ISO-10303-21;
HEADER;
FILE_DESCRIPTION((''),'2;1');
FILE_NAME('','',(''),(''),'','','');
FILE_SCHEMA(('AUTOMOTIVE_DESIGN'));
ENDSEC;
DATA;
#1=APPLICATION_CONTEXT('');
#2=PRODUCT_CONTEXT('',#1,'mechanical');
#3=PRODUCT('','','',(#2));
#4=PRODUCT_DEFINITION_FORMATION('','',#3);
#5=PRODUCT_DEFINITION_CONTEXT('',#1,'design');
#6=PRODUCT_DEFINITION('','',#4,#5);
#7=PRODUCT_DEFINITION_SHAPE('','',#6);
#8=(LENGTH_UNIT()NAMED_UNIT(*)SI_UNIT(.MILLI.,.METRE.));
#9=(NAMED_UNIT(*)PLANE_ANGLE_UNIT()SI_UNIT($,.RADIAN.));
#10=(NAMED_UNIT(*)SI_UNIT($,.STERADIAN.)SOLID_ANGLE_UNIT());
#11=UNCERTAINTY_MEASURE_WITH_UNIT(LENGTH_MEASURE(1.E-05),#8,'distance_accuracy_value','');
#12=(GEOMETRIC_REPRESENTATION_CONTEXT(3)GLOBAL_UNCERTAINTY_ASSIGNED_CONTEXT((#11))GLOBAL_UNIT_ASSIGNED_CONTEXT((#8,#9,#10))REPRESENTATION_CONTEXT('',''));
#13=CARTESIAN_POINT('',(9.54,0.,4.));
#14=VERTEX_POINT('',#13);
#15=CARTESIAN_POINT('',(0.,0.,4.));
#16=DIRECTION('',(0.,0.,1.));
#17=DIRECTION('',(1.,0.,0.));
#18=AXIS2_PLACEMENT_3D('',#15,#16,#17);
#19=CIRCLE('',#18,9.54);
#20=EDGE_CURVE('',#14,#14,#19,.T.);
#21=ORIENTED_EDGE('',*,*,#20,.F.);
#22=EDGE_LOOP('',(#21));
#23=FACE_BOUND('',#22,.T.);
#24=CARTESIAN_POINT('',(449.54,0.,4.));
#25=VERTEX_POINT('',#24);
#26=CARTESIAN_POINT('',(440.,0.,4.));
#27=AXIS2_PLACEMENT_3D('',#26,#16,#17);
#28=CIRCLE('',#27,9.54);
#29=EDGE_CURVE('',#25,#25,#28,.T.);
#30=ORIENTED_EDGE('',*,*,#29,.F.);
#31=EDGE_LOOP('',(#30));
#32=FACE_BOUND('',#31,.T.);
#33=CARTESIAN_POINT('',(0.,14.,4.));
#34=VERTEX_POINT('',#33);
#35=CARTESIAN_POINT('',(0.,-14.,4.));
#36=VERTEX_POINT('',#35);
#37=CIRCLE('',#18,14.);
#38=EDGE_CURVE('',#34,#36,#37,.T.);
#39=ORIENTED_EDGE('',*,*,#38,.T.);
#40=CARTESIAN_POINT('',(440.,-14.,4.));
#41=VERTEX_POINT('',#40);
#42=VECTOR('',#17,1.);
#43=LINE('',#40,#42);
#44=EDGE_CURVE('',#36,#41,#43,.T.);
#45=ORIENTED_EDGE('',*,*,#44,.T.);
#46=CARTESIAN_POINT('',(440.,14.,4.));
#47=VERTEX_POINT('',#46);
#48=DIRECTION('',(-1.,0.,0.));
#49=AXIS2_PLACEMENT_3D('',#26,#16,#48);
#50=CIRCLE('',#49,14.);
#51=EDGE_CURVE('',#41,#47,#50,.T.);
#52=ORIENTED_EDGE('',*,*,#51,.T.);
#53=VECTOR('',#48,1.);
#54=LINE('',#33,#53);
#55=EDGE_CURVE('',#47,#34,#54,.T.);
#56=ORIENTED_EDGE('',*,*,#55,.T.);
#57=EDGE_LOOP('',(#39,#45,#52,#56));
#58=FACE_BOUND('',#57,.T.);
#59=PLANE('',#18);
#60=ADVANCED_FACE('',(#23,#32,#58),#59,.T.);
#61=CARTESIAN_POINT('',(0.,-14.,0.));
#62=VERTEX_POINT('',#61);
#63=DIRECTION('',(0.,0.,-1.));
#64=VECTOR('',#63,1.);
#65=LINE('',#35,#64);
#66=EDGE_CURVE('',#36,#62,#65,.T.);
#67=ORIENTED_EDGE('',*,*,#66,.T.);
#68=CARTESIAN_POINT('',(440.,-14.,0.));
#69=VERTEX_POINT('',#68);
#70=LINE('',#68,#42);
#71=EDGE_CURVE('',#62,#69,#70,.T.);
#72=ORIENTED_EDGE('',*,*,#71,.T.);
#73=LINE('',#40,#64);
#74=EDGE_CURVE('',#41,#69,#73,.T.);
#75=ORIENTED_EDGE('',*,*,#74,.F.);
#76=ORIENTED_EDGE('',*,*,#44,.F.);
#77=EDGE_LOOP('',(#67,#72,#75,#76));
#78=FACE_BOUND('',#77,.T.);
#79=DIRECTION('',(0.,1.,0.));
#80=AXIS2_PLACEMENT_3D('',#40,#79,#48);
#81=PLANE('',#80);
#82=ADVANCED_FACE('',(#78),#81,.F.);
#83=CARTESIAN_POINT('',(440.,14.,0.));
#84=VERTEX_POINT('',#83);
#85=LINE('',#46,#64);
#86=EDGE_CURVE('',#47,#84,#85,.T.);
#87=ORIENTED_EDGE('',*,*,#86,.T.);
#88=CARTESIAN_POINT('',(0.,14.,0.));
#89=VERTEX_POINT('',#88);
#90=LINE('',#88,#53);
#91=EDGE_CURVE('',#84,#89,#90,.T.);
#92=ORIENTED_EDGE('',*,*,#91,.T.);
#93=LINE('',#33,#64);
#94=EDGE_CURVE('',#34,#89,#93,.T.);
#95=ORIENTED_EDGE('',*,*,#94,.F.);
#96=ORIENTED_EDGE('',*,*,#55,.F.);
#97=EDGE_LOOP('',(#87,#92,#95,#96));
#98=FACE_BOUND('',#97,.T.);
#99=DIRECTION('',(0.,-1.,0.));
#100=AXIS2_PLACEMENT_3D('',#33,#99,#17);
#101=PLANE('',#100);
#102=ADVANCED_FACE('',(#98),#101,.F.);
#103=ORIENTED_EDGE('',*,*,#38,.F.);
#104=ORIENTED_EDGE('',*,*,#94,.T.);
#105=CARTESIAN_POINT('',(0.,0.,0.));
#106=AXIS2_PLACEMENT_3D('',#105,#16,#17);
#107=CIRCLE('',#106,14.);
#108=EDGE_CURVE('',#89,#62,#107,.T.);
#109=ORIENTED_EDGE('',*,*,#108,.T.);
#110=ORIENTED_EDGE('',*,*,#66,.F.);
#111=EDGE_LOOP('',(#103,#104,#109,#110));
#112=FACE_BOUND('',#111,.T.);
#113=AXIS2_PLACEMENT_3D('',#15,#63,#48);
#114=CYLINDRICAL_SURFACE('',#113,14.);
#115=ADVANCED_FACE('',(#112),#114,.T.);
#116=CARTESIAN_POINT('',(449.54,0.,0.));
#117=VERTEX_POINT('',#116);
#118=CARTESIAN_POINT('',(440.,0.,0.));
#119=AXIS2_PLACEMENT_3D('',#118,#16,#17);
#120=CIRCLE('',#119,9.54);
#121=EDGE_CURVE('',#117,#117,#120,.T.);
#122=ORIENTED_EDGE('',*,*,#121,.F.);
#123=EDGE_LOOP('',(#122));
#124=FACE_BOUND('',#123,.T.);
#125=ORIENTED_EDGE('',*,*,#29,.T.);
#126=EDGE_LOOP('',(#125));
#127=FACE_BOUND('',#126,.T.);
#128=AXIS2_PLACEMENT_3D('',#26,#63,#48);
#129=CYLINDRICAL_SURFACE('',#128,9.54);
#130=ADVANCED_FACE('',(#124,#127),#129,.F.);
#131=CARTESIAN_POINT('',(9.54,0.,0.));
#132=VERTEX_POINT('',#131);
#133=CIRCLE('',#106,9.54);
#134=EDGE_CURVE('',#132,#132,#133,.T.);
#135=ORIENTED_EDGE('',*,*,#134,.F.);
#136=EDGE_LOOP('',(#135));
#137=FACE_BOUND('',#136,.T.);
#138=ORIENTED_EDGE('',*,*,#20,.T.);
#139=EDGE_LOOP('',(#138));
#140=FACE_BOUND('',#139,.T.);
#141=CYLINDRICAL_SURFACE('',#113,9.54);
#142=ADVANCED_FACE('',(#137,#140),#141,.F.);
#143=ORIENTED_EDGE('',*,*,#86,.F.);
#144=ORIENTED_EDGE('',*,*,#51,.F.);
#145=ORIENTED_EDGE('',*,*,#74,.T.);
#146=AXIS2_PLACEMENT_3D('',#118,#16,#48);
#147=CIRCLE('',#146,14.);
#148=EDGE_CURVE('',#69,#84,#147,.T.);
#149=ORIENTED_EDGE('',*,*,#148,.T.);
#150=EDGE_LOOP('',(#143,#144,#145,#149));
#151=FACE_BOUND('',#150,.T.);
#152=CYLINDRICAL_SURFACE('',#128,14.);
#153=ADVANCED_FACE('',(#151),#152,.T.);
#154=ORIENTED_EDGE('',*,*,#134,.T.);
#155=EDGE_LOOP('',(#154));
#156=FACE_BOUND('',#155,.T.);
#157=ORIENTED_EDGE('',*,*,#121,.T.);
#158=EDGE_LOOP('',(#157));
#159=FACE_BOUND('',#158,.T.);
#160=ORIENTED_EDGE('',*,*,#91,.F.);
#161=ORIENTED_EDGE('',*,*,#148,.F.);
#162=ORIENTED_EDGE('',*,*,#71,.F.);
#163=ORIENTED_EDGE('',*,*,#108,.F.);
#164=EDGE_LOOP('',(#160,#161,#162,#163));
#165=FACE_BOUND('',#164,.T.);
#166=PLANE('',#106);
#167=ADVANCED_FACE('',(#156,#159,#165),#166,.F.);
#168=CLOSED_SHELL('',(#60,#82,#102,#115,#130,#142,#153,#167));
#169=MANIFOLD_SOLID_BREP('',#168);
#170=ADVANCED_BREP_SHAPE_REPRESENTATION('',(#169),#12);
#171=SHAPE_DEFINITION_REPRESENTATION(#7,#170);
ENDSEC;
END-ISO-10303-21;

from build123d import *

# Parameters (mm, degrees)
SKETCH_1_R      = 9.54
EXTRUDE_1_DEPTH = 4


with BuildPart() as part:
    # 草图1 → 凸台-拉伸1 (new body)
    with BuildSketch(Plane.XY):
        with BuildLine():
            Line((0, 14), (440, 14))
            ThreePointArc((440, 14), (454, 0), (440, -14))
            Line((440, -14), (0, -14))
            ThreePointArc((0, -14), (-14, 0), (0, 14))
        make_face()
        Circle(SKETCH_1_R, mode=Mode.SUBTRACT)
        with Locations((440, 0)):
            Circle(SKETCH_1_R, mode=Mode.SUBTRACT)
    extrude(amount=EXTRUDE_1_DEPTH)


solid = part.part
